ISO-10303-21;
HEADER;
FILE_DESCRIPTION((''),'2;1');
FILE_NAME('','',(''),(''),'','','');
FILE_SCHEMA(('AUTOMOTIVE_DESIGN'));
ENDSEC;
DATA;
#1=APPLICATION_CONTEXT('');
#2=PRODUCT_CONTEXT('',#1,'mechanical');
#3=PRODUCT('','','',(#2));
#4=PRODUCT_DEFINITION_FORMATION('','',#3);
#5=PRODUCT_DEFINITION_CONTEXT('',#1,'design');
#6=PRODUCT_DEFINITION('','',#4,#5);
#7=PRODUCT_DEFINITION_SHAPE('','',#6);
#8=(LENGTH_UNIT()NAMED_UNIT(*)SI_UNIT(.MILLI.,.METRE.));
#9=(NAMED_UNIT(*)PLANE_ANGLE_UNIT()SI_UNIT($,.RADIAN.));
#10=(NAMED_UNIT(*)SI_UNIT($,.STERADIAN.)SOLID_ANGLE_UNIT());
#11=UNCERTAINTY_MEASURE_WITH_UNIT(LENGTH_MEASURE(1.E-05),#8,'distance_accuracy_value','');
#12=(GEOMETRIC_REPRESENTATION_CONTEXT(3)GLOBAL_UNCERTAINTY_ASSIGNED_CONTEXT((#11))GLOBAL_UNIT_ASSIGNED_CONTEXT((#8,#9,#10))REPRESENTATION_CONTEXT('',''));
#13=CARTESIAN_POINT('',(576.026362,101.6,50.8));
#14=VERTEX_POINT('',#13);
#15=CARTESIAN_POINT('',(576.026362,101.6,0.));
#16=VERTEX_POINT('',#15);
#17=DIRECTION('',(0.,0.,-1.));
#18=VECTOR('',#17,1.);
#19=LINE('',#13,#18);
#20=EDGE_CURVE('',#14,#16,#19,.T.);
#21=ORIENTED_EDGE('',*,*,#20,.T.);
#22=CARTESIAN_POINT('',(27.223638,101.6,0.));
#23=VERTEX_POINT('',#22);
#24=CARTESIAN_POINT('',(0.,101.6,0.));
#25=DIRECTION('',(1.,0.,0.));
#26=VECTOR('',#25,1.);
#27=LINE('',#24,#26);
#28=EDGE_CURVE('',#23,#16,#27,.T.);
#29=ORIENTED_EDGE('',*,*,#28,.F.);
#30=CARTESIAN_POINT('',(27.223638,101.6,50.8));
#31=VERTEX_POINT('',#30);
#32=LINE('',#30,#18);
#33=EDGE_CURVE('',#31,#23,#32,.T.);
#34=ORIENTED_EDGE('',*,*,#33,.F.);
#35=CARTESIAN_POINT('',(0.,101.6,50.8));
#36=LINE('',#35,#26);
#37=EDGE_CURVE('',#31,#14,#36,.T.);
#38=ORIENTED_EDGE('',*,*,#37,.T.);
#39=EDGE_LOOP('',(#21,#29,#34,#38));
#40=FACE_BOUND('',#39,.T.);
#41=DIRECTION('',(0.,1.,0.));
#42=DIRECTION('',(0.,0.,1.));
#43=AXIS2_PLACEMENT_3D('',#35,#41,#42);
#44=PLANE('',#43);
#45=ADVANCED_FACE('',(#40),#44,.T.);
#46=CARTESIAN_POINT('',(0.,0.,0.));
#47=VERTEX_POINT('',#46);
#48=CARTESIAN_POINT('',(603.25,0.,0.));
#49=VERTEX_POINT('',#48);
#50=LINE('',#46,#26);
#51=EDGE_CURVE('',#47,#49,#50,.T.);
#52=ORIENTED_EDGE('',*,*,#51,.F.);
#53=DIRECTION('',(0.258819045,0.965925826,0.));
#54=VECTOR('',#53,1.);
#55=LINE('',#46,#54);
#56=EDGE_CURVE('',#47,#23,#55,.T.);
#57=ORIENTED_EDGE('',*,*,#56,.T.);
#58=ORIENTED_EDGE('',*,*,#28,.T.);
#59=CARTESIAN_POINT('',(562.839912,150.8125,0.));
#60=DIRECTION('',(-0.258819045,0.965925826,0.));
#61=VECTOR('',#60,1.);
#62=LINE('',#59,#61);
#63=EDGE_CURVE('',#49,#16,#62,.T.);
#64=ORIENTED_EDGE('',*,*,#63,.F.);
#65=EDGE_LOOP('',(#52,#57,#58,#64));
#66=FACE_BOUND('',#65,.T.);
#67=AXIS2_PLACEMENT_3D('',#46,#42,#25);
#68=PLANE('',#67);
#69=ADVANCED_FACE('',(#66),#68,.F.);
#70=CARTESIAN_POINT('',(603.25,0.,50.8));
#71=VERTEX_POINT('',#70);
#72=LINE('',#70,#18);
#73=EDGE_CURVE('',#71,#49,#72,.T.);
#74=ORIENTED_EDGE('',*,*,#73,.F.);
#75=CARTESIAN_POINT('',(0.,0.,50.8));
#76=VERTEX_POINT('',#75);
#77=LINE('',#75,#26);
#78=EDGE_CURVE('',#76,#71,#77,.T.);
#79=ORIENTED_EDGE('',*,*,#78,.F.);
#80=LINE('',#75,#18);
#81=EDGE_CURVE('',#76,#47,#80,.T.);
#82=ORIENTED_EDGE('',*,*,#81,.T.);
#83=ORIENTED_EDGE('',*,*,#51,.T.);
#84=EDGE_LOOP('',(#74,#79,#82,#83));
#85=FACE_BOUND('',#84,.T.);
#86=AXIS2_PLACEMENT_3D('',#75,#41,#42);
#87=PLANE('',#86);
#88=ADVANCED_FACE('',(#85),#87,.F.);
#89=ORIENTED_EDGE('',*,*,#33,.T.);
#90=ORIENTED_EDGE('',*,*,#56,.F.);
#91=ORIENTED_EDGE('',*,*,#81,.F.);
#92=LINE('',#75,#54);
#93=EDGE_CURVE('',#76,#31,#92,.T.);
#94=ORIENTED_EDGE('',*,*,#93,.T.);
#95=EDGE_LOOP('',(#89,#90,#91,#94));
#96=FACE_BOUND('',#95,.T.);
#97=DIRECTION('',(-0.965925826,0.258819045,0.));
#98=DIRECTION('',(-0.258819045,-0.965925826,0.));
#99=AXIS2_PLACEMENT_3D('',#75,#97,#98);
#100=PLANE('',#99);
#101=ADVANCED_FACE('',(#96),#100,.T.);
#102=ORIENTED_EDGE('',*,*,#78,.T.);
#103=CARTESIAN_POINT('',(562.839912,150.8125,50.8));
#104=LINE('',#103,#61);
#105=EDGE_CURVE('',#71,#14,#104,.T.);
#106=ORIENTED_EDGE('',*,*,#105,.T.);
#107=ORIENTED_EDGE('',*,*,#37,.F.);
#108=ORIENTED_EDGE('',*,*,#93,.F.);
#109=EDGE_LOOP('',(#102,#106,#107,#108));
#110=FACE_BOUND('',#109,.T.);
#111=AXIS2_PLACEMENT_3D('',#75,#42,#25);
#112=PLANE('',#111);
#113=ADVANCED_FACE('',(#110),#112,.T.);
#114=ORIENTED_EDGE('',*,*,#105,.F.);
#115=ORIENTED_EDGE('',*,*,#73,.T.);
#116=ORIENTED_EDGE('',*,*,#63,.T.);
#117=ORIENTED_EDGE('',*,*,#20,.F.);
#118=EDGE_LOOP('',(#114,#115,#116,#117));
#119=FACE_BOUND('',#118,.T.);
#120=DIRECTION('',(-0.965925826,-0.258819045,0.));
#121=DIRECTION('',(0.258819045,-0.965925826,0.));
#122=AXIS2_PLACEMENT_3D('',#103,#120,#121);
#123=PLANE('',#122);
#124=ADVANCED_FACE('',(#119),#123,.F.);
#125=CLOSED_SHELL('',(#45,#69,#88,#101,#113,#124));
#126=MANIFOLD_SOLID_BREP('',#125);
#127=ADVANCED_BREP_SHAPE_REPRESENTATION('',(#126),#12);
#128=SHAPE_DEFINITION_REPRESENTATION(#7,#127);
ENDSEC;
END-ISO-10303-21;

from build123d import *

# Parameters (mm, degrees)
BOSS_EXTRUDE1_DEPTH = 50.8


with BuildPart() as part:
    # Sketch1 → Boss-Extrude1 (new body)
    with BuildSketch(Plane.XY):
        Polygon((27.223637951, 101.6), (0, 0), (603.25, 0), (576.026362049, 101.6), align=None)
    extrude(amount=BOSS_EXTRUDE1_DEPTH)


solid = part.part
